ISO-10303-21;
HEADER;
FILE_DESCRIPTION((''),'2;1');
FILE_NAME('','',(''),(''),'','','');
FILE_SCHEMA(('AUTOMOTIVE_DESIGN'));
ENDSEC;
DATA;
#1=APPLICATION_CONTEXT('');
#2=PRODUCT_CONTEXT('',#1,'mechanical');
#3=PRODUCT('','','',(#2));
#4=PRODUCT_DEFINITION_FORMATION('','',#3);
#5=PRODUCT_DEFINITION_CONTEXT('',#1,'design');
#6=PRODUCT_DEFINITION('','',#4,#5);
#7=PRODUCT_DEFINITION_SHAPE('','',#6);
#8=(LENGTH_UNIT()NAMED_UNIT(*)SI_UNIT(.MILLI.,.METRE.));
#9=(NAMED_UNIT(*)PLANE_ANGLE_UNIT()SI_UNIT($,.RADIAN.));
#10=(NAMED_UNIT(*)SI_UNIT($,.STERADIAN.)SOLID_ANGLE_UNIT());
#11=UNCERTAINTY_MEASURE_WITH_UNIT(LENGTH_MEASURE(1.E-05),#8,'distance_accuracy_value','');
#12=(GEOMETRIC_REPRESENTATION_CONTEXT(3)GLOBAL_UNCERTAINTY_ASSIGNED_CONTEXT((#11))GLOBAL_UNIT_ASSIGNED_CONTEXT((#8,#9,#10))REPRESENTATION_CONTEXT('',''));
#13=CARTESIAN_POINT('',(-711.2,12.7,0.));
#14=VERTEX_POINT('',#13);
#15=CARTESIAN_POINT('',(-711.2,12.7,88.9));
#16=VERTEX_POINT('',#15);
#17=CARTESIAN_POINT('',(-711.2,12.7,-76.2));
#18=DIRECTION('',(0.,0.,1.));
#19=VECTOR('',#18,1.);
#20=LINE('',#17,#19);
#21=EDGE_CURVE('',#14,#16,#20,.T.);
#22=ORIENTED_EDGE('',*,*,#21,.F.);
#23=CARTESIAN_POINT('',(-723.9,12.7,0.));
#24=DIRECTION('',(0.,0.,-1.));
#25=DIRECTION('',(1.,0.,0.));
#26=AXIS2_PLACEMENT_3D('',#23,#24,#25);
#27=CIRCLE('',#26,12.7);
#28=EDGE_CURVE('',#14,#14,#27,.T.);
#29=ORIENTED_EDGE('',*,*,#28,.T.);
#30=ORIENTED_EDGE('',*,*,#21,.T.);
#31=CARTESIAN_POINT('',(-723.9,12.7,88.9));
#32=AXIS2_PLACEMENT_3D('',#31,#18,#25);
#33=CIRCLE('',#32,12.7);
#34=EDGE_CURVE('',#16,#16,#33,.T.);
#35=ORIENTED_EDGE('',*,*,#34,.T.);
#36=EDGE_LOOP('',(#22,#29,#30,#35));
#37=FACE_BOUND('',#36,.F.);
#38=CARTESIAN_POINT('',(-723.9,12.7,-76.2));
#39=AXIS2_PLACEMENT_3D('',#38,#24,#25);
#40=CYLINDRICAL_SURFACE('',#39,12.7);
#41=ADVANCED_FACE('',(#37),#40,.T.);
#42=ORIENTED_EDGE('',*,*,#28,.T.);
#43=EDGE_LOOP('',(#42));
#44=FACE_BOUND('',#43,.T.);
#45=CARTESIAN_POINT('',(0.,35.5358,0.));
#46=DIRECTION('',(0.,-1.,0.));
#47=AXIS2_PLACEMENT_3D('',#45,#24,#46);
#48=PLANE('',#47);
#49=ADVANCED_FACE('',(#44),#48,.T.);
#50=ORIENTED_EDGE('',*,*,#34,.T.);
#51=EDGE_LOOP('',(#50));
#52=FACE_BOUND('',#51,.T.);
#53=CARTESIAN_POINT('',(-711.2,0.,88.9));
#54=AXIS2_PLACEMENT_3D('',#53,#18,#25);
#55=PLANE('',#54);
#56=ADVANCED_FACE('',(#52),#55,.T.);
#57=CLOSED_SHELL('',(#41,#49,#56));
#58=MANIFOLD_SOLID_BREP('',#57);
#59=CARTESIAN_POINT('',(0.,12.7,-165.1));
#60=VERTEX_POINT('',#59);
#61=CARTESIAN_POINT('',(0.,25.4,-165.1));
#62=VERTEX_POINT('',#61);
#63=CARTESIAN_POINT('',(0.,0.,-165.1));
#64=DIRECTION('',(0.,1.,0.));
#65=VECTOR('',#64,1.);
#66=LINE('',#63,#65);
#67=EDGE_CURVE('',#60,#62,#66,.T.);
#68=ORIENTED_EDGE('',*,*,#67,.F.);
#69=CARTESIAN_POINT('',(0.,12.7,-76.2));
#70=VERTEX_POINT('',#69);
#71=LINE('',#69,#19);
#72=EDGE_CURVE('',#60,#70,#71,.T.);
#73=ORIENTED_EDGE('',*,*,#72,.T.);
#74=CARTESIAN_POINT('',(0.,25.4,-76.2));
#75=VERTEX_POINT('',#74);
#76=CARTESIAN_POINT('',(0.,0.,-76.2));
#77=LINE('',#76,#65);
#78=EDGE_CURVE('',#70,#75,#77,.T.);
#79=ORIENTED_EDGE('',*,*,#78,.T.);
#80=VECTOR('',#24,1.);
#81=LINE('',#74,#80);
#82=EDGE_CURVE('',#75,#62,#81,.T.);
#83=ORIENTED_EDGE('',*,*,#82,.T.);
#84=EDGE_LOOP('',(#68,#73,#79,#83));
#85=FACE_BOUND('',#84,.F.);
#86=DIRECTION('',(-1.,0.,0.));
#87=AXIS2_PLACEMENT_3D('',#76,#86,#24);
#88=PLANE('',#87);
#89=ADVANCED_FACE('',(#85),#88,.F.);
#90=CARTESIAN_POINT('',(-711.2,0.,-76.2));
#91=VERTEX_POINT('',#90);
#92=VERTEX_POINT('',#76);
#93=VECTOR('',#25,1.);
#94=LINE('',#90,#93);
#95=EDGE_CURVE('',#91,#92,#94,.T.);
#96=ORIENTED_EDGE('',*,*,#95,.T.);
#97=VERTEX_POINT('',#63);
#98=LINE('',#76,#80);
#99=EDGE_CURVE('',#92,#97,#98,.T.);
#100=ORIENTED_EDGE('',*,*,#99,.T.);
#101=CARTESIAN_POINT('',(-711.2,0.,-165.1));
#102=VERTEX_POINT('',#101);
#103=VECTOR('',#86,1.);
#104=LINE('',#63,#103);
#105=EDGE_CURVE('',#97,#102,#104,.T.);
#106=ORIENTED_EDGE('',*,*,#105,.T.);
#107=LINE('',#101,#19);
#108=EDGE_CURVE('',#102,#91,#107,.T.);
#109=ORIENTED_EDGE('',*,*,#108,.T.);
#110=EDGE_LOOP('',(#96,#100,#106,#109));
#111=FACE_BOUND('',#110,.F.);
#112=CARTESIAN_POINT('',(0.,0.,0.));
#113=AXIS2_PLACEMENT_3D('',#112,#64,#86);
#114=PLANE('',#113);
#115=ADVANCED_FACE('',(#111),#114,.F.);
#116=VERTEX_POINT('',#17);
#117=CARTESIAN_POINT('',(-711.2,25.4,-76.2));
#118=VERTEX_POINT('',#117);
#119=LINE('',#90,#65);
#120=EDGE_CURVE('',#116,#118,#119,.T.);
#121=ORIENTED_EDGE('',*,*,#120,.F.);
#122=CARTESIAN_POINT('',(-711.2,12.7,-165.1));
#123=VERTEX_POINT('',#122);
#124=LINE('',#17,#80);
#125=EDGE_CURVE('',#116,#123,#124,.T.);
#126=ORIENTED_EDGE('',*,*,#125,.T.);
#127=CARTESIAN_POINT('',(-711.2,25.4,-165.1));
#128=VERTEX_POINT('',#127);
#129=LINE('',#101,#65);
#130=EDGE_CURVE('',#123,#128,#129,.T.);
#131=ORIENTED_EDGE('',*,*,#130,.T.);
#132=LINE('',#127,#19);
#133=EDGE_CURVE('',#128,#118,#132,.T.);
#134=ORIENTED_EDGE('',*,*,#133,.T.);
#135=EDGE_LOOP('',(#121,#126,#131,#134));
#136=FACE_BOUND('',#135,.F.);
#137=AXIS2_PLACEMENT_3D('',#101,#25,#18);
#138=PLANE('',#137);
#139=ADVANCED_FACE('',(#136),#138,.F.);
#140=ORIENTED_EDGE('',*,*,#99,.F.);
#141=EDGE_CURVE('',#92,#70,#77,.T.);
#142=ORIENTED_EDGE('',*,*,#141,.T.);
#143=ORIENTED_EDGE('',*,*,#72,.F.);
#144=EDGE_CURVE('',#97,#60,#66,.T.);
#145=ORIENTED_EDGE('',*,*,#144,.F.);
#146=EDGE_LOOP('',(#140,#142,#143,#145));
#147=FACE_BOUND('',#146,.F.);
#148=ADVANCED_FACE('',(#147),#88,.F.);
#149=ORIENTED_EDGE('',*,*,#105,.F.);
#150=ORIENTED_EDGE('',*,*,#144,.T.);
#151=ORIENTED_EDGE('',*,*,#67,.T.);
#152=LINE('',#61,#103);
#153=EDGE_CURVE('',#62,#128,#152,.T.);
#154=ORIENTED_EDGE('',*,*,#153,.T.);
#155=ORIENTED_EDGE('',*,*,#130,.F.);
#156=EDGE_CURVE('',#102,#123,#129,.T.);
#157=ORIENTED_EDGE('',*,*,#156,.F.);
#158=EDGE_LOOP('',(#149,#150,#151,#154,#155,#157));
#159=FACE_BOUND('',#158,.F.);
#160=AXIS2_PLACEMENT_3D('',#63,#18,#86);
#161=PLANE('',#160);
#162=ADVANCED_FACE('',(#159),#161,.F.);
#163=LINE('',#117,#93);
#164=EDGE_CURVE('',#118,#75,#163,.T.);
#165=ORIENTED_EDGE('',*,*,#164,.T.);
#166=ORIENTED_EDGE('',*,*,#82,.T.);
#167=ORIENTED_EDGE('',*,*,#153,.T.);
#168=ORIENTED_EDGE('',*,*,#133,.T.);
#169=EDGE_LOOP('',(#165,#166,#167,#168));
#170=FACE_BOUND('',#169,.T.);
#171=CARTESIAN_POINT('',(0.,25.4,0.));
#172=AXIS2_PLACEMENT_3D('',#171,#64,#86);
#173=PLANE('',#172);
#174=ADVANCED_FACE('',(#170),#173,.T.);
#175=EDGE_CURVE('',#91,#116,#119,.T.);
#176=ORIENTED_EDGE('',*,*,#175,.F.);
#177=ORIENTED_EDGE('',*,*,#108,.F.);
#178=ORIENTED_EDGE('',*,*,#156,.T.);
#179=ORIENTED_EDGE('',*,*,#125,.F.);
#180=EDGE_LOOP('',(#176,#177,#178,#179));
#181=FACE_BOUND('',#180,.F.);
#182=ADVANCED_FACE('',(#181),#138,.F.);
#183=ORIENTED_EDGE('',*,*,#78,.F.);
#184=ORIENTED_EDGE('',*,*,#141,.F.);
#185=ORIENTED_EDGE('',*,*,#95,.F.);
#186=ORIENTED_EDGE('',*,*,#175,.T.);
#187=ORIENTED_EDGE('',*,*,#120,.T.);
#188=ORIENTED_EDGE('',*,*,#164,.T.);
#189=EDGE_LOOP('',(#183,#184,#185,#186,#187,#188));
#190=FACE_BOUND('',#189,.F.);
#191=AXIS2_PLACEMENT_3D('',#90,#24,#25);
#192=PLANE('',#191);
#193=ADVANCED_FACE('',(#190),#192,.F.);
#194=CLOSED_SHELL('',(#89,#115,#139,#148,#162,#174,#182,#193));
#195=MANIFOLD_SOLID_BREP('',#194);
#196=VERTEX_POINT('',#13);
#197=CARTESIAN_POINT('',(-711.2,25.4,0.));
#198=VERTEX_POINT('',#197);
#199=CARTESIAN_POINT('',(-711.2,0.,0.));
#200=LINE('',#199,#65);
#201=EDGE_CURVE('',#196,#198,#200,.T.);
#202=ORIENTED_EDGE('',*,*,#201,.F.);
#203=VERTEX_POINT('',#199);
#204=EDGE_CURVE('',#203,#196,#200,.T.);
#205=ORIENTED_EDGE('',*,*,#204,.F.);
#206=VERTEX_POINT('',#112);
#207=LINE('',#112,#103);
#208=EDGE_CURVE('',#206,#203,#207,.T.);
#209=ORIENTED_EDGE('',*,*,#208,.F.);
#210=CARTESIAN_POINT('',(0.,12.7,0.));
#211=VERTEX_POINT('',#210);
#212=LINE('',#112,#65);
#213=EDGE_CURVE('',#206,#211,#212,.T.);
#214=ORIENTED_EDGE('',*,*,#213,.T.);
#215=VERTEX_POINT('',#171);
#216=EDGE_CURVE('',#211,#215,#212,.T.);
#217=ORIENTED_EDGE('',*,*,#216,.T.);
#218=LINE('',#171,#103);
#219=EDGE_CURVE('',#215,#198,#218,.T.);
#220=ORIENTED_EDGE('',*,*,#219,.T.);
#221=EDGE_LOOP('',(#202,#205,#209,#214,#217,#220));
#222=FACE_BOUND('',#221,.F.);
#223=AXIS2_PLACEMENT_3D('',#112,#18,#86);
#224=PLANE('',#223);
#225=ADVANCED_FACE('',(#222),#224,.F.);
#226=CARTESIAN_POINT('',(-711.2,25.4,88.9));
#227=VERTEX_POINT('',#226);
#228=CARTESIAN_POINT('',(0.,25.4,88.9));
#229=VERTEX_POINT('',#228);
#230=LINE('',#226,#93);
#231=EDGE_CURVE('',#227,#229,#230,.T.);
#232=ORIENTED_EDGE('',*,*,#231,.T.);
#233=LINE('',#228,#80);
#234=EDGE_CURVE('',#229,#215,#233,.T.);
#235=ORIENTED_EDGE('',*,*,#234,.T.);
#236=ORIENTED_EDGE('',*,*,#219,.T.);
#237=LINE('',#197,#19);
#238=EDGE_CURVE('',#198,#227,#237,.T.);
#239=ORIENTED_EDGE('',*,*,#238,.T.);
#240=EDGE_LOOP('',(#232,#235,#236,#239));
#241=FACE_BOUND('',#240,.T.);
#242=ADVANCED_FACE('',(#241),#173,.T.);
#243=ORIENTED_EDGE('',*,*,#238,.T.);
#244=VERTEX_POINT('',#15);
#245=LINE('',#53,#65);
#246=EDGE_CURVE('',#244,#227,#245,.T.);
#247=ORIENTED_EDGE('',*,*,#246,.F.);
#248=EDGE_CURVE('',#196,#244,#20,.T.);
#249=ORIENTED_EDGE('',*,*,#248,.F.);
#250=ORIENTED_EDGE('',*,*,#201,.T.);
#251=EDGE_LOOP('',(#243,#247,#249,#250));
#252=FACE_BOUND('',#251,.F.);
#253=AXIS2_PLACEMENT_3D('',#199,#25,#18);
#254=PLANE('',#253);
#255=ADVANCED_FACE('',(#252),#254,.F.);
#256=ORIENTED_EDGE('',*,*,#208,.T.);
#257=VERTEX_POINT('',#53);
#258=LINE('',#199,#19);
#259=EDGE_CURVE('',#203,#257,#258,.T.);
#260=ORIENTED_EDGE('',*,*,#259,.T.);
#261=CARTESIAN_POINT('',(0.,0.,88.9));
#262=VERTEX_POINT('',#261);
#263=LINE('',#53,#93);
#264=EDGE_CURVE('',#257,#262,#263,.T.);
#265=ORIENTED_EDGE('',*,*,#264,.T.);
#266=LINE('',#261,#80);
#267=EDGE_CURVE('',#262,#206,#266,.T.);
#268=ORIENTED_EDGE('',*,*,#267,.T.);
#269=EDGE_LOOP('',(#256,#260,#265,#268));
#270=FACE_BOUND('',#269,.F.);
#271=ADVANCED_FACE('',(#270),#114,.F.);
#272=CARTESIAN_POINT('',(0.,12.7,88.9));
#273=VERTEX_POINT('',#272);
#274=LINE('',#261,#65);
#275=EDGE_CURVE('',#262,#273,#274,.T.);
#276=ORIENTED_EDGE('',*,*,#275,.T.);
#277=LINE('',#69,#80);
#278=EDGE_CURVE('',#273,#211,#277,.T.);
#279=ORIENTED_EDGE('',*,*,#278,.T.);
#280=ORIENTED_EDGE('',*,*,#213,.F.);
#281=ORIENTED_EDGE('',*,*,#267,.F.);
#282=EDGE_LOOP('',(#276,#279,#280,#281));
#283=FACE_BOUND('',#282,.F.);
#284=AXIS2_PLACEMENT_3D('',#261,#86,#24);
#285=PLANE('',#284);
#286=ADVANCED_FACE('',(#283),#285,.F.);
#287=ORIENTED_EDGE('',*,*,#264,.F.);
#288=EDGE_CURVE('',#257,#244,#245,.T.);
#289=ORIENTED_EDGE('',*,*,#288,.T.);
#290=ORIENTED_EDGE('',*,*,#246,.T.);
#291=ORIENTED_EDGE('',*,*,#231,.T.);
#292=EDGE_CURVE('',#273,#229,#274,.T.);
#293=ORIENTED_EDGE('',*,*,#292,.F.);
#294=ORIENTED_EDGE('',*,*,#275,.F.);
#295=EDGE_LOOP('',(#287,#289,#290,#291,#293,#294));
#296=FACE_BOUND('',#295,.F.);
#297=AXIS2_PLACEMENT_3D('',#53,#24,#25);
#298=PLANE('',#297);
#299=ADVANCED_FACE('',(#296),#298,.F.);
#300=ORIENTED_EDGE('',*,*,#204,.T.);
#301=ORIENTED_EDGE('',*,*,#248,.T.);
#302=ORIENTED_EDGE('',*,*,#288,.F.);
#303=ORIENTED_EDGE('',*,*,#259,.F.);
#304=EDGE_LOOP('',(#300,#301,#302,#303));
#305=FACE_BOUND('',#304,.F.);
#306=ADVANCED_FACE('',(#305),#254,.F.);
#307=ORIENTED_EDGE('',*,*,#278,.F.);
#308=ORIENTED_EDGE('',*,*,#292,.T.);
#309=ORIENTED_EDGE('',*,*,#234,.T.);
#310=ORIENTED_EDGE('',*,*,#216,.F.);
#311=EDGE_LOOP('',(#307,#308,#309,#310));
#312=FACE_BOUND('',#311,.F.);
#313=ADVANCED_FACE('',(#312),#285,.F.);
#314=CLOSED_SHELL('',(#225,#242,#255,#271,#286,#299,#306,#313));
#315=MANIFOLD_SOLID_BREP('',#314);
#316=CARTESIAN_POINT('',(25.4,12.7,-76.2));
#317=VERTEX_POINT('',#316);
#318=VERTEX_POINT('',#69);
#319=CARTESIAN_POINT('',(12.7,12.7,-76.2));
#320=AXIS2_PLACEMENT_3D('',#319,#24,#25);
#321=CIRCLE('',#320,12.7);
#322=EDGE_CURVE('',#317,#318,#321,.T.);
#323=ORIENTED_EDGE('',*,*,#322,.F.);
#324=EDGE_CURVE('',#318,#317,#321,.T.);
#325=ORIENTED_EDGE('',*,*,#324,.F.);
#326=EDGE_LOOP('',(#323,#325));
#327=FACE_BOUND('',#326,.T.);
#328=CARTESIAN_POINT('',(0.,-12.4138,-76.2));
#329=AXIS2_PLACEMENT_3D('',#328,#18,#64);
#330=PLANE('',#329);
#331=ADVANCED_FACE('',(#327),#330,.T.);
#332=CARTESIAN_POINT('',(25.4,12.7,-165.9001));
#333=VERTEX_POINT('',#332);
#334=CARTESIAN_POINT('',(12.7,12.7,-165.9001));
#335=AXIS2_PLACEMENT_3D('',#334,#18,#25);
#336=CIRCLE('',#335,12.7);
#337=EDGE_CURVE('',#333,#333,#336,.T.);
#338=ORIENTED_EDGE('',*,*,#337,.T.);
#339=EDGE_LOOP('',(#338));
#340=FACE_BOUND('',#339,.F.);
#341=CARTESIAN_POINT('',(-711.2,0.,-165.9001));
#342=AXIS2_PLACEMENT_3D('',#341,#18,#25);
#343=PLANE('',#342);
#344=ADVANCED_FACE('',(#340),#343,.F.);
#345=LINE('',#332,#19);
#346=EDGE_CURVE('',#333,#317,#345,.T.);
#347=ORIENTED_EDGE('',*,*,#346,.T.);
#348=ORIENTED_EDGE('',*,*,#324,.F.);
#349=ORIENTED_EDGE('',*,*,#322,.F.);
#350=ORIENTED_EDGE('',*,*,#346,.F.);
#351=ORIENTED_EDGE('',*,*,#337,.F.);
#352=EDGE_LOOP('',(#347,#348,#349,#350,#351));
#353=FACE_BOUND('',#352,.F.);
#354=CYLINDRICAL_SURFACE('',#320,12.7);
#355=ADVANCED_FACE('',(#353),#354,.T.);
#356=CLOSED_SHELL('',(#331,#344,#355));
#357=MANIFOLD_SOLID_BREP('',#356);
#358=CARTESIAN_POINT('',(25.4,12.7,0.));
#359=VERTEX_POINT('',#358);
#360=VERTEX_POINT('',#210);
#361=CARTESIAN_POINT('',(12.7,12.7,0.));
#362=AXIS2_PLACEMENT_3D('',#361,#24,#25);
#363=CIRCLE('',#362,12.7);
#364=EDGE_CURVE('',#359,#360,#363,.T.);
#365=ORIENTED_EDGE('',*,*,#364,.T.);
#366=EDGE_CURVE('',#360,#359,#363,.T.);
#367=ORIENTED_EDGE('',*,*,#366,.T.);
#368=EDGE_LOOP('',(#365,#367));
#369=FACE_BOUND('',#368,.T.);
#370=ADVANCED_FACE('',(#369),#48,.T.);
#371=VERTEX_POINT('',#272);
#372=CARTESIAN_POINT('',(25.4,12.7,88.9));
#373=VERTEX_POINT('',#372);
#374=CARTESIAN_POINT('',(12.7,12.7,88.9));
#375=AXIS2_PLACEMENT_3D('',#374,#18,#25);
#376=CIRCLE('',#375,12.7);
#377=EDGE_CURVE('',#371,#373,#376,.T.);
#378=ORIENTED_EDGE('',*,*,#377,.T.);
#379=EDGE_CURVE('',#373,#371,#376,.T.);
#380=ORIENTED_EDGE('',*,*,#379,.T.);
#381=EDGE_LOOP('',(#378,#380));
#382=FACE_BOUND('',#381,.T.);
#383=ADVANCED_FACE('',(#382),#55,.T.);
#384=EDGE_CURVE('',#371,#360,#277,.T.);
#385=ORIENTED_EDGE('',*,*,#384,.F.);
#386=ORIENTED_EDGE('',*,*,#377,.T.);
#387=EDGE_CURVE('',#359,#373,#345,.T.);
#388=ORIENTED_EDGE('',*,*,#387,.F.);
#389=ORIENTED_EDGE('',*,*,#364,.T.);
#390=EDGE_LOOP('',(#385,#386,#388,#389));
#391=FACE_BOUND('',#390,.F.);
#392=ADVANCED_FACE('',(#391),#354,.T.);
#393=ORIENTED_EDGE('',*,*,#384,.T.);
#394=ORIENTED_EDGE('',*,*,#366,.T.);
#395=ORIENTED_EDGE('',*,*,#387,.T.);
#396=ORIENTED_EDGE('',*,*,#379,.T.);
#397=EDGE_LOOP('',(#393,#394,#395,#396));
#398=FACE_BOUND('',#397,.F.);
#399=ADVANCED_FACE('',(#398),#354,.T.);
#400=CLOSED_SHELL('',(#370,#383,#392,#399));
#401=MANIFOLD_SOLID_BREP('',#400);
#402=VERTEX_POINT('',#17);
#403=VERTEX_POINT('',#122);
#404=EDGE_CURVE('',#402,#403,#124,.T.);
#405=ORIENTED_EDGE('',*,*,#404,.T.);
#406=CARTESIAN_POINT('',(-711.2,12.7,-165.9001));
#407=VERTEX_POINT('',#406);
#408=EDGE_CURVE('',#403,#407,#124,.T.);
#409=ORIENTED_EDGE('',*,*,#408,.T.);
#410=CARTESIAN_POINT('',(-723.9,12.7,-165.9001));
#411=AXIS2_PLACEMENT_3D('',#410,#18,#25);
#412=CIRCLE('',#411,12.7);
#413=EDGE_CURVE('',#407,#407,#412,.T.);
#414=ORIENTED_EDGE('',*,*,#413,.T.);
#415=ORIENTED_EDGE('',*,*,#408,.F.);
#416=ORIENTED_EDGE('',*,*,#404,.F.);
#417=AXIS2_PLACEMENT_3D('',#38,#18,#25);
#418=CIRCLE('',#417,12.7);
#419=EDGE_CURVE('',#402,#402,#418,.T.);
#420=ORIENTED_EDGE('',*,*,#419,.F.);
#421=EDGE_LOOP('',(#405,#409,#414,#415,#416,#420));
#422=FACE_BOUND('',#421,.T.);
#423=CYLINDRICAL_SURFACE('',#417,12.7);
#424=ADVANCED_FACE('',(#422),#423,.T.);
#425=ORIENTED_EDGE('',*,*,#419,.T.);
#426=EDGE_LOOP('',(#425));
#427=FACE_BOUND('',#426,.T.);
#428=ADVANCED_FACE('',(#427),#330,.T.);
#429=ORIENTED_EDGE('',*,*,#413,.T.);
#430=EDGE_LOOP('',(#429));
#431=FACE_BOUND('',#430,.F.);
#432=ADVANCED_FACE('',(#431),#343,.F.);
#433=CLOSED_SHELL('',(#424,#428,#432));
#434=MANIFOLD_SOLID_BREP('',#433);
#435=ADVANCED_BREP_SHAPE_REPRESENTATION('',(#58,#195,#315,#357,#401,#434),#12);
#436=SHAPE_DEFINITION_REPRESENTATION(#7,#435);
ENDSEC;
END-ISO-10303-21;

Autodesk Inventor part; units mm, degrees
ref_plane "YZ Plane" through (0, 0, 0) normal (1, 0, 0) x (0, 1, 0)
ref_plane "XZ Plane" through (0, 0, 0) normal (0, 1, 0) x (-1, 0, 0)
ref_plane "XY Plane" through (0, 0, 0) normal (0, 0, 1) x (1, 0, 0)
sketch "Sketch1" plane through (0, 0, 0) normal (0, 1, 0) x (-1, 0, 0)
  line L0 (0, 0) -> (711.2, 0)
  line L1 (711.2, 0) -> (711.2, 88.9)
  line L2 (711.2, 88.9) -> (0, 88.9)
  line L3 (0, 88.9) -> (0, 0)
  line L4 (711.2, -76.2) -> (0, -76.2)
  line L5 (0, -76.2) -> (0, -165.1)
  line L6 (0, -165.1) -> (711.2, -165.1)
  line L7 (711.2, -165.1) -> (711.2, -76.2)
  dimension "d0" = 88.9
  dimension "d1" = 711.2
  dimension "d2" = 88.9
  dimension "d3" = 711.2
  dimension "d4" = 76.2
extrude "Extrusion1" add sketch "Sketch1" along normal blind 25.4
sketch "Sketch2" plane through (-711.2, 0, -76.2) normal (0, 0, 1) x (1, 0, 0)
  line L0 (0, 25.4) -> (711.2, 25.4) projected
  circle A0 centre (723.9, 12.7) radius 12.7
  line L1 (711.2, 0) -> (0, 0) projected
  circle A1 centre (-12.7, 12.7) radius 12.7
extrude "Extrusion4" add sketch "Sketch2" along normal blind 165.1 and the other way blind 89.7001
sketch "Sketch3" plane through (0, 25.4, 88.9) normal (1, 0, 0) x (0, 0, -1)
  line L0 (88.9, -37.8138) -> (165.1, -37.8138)
  line L1 (165.1, -37.8138) -> (165.1, 10.1358)
  line L2 (165.1, 10.1358) -> (88.9, 10.1358)
  line L3 (88.9, 10.1358) -> (88.9, -37.8138)
  point P0 (88.9, -25.4)
extrude "Extrusion3" cut sketch "Sketch3" along normal blind 68.2625 and the other way blind 827.8876
properties part number "elev1" material "Aluminum 6061"
